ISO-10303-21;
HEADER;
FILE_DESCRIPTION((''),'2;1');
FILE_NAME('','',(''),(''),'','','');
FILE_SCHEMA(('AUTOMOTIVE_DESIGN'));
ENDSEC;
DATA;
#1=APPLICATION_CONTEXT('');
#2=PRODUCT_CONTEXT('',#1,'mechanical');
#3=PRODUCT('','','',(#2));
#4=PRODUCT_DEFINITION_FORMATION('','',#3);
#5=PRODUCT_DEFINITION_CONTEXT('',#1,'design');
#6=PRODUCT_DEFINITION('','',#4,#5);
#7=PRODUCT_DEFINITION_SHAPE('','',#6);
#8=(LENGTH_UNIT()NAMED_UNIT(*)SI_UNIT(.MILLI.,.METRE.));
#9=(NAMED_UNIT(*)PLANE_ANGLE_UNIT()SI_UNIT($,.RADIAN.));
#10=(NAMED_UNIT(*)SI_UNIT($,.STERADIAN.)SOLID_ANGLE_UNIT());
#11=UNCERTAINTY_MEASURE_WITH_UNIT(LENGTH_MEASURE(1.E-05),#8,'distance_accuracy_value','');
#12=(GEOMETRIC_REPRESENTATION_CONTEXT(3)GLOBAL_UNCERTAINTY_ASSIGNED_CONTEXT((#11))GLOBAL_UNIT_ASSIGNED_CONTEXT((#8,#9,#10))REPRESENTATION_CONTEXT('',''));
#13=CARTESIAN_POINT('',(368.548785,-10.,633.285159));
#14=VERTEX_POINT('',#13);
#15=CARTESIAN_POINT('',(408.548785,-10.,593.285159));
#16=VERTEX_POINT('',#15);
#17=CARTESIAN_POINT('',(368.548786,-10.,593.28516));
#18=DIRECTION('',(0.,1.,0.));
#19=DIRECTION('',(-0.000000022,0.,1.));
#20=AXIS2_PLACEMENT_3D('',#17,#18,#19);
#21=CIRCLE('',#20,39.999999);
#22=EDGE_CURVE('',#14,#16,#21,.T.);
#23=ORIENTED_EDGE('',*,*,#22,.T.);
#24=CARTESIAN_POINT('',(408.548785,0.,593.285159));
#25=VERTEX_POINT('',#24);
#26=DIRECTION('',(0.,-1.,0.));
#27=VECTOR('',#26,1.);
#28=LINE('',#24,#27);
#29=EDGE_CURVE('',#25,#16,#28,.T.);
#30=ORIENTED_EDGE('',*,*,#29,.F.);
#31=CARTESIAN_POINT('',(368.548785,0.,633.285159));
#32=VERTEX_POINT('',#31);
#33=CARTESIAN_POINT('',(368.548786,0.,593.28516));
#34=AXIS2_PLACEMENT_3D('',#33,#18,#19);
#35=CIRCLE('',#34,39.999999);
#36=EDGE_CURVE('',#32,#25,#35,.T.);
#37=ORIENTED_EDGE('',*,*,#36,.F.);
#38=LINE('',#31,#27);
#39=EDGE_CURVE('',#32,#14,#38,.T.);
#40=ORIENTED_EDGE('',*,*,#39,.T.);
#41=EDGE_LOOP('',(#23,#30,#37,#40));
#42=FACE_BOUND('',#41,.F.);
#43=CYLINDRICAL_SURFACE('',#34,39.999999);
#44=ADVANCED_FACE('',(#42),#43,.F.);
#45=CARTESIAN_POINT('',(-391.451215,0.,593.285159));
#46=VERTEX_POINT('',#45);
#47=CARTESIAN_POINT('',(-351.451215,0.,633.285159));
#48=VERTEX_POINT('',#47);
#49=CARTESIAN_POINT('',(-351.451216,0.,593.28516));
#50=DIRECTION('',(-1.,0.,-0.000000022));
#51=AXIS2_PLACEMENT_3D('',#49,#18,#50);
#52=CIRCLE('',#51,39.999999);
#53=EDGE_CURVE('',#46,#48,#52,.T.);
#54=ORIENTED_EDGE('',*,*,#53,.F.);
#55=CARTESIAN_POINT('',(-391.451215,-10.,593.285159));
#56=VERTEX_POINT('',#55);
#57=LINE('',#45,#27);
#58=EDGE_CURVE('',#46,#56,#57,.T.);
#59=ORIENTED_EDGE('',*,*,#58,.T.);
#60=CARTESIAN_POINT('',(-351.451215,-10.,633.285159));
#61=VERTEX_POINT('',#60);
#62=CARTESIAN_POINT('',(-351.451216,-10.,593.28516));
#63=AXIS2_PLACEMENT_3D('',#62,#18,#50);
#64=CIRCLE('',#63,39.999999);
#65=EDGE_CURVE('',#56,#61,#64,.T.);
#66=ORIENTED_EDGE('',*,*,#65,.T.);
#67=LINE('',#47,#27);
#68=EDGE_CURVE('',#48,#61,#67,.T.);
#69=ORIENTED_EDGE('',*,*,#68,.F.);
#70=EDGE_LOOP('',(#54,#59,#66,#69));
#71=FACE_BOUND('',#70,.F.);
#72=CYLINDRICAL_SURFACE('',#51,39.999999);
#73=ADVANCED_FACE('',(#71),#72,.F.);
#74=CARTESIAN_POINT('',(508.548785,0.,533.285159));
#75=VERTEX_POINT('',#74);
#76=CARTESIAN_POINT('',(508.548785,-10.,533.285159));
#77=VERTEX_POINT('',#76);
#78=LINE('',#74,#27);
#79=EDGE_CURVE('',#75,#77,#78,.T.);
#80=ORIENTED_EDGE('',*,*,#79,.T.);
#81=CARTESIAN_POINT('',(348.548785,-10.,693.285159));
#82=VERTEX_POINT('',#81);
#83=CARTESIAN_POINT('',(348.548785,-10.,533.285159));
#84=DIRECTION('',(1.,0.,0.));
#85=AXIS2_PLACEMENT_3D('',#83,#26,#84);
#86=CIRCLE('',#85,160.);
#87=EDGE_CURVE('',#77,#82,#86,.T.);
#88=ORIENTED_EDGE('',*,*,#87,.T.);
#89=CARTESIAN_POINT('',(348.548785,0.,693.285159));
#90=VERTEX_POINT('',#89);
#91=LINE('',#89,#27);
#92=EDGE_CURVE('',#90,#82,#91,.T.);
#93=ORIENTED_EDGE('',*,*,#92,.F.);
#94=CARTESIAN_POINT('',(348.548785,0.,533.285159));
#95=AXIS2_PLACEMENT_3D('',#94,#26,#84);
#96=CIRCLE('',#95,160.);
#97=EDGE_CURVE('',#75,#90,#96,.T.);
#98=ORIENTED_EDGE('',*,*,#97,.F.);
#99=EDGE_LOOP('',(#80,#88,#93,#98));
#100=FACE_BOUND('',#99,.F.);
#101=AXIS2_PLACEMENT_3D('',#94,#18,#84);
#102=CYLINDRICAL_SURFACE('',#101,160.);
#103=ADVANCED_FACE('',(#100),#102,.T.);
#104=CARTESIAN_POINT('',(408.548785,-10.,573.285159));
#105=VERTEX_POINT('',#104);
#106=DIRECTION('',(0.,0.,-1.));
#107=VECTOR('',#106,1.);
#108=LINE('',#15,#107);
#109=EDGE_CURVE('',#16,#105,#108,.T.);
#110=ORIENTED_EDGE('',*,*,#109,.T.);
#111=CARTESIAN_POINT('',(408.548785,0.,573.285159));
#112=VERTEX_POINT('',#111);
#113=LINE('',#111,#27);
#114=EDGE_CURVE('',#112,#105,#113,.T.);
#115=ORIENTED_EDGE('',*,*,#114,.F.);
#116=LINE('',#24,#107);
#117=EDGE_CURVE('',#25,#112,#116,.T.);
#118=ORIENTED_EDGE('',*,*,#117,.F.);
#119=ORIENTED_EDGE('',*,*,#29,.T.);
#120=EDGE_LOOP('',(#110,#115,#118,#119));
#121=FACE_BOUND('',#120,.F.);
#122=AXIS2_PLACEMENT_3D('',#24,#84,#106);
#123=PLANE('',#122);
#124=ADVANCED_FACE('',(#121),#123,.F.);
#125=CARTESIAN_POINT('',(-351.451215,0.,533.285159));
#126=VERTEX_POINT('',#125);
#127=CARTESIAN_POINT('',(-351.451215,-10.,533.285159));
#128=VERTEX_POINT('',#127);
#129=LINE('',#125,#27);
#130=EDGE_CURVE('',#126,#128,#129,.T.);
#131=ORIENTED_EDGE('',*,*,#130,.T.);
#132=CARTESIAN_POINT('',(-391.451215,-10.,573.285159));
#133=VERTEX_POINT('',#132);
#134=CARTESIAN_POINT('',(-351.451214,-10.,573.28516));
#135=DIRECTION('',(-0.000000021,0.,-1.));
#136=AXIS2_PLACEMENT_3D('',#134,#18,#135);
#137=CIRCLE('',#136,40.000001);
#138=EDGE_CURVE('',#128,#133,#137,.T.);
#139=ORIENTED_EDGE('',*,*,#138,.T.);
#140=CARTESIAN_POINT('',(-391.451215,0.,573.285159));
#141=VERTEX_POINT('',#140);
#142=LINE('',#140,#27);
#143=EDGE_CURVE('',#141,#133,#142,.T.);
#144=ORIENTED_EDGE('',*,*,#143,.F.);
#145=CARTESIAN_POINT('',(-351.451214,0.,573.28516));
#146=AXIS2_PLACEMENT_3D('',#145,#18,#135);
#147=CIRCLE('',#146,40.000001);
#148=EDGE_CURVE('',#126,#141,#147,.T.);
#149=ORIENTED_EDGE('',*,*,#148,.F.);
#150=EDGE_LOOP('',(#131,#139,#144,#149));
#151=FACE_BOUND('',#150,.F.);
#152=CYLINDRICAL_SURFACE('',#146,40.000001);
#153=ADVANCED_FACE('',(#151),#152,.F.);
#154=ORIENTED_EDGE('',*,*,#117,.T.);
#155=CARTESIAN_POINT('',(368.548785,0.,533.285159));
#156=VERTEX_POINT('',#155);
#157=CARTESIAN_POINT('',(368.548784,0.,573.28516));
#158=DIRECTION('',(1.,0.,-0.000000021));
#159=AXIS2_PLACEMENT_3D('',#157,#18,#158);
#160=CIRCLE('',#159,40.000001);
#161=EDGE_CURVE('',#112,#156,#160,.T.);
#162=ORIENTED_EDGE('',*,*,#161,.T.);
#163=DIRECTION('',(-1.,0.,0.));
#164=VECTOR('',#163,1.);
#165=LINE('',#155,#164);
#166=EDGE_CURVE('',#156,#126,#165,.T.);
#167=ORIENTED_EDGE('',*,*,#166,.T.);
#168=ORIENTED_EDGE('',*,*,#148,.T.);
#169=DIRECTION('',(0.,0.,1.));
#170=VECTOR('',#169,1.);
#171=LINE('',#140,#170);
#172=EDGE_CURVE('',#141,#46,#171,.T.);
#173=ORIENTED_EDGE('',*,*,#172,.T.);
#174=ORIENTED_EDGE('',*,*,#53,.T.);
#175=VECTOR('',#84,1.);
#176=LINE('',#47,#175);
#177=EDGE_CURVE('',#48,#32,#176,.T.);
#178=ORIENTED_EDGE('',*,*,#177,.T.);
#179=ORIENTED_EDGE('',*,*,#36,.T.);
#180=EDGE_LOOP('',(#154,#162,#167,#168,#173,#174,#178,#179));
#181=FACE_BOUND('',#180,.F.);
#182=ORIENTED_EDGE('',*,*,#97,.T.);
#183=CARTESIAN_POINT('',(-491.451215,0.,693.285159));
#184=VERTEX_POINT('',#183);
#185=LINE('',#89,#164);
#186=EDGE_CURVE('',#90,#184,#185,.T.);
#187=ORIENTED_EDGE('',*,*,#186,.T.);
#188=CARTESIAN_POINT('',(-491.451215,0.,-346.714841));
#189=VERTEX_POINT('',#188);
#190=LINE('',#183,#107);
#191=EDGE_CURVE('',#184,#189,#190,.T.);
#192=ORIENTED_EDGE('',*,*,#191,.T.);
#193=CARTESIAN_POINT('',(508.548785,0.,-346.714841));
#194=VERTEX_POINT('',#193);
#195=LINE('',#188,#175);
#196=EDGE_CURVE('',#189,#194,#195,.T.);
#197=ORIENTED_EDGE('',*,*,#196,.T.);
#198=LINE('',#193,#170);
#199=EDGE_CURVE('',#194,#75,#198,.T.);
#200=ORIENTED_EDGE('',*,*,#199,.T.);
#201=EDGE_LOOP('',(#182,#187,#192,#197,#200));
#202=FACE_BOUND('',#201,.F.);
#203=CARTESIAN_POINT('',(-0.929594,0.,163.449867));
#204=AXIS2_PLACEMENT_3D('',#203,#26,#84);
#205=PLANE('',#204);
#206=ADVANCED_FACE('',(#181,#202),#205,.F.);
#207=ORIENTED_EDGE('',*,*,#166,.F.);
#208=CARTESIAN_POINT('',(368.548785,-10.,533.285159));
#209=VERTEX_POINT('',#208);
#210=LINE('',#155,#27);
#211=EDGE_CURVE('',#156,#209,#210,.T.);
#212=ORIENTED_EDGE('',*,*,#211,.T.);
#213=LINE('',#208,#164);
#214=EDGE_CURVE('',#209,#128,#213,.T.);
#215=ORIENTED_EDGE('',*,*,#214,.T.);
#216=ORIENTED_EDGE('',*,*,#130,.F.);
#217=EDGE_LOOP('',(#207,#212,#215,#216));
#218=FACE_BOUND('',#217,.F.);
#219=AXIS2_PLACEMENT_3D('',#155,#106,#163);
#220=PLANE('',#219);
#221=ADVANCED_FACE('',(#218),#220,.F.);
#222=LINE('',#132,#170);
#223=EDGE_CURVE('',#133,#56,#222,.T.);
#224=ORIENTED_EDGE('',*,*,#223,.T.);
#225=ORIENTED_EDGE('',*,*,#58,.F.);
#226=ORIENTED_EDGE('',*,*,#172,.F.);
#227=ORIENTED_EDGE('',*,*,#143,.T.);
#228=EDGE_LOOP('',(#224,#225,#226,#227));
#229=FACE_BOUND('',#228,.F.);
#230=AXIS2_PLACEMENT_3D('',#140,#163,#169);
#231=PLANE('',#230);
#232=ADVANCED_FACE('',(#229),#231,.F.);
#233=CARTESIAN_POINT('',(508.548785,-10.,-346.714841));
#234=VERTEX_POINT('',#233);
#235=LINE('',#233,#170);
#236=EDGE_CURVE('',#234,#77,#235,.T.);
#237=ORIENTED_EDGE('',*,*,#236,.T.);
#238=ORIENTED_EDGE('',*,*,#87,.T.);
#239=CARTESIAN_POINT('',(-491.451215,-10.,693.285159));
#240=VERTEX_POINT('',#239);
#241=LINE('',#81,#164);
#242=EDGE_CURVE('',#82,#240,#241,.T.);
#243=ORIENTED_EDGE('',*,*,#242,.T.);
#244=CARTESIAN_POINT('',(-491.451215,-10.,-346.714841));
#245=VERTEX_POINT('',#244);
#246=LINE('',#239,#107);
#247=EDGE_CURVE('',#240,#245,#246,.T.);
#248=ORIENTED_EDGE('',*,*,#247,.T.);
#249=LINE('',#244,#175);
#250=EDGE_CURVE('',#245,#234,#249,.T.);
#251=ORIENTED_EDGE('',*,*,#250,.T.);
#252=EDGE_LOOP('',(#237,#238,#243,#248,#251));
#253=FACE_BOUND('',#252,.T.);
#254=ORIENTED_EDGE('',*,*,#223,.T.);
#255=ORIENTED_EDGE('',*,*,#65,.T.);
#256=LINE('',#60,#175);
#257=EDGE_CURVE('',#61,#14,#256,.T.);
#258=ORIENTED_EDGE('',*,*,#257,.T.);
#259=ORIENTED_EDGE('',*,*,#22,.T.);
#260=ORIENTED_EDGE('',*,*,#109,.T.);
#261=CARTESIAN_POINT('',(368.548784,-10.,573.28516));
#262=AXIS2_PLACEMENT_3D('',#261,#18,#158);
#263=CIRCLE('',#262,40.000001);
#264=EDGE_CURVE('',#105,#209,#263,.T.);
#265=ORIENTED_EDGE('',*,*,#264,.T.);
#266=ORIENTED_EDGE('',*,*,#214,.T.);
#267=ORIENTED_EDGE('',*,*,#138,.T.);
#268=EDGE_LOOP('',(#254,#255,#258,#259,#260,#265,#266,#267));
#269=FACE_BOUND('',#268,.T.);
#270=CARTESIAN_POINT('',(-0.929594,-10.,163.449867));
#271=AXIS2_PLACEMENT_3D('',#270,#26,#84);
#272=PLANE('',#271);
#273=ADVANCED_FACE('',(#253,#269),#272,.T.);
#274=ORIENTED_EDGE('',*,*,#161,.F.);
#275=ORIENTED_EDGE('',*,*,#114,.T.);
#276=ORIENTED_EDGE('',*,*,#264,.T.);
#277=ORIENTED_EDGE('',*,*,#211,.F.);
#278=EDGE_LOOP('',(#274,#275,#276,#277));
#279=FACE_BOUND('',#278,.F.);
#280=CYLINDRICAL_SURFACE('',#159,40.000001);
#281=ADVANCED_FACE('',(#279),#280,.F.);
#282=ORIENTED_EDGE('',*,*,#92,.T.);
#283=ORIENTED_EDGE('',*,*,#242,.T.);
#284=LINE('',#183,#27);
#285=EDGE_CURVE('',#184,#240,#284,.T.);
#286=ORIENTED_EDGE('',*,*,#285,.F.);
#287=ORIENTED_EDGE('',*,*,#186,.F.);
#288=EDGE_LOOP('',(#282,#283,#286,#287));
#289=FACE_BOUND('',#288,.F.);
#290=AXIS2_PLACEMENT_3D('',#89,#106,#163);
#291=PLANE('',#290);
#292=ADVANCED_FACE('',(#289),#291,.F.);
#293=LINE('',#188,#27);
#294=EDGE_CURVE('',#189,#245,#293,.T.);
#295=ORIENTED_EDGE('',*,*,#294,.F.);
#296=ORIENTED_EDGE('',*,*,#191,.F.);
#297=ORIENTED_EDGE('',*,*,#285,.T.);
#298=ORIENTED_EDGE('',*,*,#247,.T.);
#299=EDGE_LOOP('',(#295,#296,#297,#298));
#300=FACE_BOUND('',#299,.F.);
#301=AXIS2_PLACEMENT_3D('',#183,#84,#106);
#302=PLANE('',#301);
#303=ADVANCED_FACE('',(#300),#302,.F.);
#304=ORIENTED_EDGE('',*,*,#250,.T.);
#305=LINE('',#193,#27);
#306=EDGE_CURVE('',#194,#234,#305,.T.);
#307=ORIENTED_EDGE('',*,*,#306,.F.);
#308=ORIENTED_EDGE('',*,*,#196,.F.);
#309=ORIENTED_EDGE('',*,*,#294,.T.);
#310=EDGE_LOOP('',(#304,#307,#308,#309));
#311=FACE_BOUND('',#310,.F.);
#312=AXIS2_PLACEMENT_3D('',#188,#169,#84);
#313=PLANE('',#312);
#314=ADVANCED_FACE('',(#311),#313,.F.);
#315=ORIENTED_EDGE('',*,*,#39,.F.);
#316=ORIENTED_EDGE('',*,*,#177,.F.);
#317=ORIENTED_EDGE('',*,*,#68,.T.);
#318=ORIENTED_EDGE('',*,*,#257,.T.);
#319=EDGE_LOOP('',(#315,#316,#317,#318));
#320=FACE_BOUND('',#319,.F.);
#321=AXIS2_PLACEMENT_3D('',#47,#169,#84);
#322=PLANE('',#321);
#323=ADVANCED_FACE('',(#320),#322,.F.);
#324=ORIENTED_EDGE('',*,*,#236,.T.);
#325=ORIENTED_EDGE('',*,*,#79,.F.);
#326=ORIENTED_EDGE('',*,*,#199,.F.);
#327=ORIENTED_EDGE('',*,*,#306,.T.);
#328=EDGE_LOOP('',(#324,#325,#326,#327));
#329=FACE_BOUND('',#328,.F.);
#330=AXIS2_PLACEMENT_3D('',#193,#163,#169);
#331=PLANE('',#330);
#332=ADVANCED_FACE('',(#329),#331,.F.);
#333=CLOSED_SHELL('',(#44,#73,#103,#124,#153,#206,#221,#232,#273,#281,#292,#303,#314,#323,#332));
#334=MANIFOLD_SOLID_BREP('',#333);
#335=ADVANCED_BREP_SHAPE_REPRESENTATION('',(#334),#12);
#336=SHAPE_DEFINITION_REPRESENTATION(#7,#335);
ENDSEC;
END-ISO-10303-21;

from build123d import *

# Parameters (mm, degrees)
F1_DEPTH = 10


with BuildPart() as f1:
    # F0 (on Front) → F1 (new body)
    with BuildSketch(Plane.XZ):
        with BuildLine():
            Line((348.548785, 693.285159), (-491.451215, 693.285159))
            Line((-491.451215, 693.285159), (-491.451215, -346.714841))
            Line((-491.451215, -346.714841), (508.548785, -346.714841))
            Line((508.548785, -346.714841), (508.548785, 533.285159))
            ThreePointArc((508.548785, 533.285159), (461.68587, 646.422244), (348.548785, 693.285159))
        make_face()
        with BuildLine():
            ThreePointArc((-391.451215, 593.285159), (-379.735486, 621.569431), (-351.451215, 633.285159))
            Line((-351.451215, 633.285159), (368.548785, 633.285159))
            ThreePointArc((368.548785, 633.285159), (396.833056, 621.569431), (408.548785, 593.285159))
            Line((408.548785, 593.285159), (408.548785, 573.285159))
            ThreePointArc((408.548785, 573.285159), (396.833056, 545.000888), (368.548785, 533.285159))
            Line((368.548785, 533.285159), (-351.451215, 533.285159))
            ThreePointArc((-351.451215, 533.285159), (-379.735486, 545.000888), (-391.451215, 573.285159))
            Line((-391.451215, 573.285159), (-391.451215, 593.285159))
        make_face(mode=Mode.SUBTRACT)
    extrude(amount=F1_DEPTH)


solid = f1.part
